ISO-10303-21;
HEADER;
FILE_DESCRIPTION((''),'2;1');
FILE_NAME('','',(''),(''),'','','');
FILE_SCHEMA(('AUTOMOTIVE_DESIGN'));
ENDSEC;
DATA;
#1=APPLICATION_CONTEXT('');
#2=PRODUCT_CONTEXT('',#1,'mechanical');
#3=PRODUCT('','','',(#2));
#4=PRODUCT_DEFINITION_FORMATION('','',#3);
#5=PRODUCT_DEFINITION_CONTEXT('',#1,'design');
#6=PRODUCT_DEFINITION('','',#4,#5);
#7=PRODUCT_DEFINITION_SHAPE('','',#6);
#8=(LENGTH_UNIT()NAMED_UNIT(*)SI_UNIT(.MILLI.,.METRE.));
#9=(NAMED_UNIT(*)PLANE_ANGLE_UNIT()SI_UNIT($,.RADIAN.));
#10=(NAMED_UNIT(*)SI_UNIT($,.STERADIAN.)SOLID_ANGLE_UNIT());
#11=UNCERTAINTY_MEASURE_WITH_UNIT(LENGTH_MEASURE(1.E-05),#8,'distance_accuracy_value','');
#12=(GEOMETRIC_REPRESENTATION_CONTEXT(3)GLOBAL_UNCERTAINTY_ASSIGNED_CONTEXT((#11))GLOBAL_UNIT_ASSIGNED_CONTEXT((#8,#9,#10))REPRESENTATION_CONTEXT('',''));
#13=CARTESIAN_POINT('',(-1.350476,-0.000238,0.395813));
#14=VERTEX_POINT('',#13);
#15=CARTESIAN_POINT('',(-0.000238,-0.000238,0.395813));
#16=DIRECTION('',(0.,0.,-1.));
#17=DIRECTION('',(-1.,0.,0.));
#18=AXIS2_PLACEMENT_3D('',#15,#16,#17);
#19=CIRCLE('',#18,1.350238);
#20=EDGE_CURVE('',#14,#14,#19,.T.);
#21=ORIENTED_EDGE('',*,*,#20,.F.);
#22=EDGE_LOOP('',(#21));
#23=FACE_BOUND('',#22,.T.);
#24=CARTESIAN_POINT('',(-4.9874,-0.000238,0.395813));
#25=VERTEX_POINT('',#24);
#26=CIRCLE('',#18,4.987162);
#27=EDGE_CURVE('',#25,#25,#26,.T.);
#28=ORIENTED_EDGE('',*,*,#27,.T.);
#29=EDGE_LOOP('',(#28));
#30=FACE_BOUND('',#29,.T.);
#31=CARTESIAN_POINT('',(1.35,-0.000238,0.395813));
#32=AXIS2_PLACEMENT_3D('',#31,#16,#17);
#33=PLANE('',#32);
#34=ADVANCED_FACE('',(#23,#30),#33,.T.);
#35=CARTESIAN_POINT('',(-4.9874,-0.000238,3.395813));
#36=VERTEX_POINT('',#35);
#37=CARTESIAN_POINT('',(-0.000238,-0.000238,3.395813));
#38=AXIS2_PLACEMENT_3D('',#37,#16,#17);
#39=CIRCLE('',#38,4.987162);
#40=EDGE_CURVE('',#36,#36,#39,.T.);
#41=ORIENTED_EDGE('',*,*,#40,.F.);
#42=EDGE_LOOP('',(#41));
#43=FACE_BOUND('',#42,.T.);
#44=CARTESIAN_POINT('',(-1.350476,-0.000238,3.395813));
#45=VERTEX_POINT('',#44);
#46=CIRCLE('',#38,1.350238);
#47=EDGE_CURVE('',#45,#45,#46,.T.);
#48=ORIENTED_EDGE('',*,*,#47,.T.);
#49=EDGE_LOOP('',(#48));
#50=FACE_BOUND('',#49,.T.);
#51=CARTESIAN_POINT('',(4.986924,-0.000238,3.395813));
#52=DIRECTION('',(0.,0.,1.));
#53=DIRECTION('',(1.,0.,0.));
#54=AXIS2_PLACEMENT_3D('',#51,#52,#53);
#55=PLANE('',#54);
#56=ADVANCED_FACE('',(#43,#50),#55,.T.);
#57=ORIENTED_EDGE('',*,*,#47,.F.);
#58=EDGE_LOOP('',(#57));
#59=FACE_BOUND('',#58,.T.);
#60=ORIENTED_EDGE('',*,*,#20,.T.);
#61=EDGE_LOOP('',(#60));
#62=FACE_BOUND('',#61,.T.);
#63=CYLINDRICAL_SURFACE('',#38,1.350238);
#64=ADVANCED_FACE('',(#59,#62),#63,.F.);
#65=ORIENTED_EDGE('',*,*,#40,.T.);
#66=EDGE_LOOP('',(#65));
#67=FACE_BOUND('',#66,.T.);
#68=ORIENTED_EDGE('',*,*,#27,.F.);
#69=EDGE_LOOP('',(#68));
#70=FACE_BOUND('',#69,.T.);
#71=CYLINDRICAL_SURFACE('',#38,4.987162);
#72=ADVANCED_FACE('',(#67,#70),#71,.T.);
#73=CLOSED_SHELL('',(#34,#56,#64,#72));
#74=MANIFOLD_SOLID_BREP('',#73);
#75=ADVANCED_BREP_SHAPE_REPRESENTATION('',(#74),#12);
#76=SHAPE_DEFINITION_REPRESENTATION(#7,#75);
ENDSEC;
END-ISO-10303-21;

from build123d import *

# Parameters (mm, degrees)
SKETCH_1_W = 3.636924234
SKETCH_1_H = 3


with BuildPart() as part:
    # 草图1 → 旋转1 (revolve)
    with BuildSketch(Plane.XZ.offset(0.000237799), mode=Mode.PRIVATE) as revolve_1_sk:
        with Locations((3.168462096, 1.895813093)):
            Rectangle(SKETCH_1_W, SKETCH_1_H)
    revolve(revolve_1_sk.sketch.rotate(Axis((-0.000237799, -0.000237799, 3.395813093), (0, 0, -1)), 180), axis=Axis((-0.000237799, -0.000237799, 3.395813093), (0, 0, -1)))


solid = part.part
